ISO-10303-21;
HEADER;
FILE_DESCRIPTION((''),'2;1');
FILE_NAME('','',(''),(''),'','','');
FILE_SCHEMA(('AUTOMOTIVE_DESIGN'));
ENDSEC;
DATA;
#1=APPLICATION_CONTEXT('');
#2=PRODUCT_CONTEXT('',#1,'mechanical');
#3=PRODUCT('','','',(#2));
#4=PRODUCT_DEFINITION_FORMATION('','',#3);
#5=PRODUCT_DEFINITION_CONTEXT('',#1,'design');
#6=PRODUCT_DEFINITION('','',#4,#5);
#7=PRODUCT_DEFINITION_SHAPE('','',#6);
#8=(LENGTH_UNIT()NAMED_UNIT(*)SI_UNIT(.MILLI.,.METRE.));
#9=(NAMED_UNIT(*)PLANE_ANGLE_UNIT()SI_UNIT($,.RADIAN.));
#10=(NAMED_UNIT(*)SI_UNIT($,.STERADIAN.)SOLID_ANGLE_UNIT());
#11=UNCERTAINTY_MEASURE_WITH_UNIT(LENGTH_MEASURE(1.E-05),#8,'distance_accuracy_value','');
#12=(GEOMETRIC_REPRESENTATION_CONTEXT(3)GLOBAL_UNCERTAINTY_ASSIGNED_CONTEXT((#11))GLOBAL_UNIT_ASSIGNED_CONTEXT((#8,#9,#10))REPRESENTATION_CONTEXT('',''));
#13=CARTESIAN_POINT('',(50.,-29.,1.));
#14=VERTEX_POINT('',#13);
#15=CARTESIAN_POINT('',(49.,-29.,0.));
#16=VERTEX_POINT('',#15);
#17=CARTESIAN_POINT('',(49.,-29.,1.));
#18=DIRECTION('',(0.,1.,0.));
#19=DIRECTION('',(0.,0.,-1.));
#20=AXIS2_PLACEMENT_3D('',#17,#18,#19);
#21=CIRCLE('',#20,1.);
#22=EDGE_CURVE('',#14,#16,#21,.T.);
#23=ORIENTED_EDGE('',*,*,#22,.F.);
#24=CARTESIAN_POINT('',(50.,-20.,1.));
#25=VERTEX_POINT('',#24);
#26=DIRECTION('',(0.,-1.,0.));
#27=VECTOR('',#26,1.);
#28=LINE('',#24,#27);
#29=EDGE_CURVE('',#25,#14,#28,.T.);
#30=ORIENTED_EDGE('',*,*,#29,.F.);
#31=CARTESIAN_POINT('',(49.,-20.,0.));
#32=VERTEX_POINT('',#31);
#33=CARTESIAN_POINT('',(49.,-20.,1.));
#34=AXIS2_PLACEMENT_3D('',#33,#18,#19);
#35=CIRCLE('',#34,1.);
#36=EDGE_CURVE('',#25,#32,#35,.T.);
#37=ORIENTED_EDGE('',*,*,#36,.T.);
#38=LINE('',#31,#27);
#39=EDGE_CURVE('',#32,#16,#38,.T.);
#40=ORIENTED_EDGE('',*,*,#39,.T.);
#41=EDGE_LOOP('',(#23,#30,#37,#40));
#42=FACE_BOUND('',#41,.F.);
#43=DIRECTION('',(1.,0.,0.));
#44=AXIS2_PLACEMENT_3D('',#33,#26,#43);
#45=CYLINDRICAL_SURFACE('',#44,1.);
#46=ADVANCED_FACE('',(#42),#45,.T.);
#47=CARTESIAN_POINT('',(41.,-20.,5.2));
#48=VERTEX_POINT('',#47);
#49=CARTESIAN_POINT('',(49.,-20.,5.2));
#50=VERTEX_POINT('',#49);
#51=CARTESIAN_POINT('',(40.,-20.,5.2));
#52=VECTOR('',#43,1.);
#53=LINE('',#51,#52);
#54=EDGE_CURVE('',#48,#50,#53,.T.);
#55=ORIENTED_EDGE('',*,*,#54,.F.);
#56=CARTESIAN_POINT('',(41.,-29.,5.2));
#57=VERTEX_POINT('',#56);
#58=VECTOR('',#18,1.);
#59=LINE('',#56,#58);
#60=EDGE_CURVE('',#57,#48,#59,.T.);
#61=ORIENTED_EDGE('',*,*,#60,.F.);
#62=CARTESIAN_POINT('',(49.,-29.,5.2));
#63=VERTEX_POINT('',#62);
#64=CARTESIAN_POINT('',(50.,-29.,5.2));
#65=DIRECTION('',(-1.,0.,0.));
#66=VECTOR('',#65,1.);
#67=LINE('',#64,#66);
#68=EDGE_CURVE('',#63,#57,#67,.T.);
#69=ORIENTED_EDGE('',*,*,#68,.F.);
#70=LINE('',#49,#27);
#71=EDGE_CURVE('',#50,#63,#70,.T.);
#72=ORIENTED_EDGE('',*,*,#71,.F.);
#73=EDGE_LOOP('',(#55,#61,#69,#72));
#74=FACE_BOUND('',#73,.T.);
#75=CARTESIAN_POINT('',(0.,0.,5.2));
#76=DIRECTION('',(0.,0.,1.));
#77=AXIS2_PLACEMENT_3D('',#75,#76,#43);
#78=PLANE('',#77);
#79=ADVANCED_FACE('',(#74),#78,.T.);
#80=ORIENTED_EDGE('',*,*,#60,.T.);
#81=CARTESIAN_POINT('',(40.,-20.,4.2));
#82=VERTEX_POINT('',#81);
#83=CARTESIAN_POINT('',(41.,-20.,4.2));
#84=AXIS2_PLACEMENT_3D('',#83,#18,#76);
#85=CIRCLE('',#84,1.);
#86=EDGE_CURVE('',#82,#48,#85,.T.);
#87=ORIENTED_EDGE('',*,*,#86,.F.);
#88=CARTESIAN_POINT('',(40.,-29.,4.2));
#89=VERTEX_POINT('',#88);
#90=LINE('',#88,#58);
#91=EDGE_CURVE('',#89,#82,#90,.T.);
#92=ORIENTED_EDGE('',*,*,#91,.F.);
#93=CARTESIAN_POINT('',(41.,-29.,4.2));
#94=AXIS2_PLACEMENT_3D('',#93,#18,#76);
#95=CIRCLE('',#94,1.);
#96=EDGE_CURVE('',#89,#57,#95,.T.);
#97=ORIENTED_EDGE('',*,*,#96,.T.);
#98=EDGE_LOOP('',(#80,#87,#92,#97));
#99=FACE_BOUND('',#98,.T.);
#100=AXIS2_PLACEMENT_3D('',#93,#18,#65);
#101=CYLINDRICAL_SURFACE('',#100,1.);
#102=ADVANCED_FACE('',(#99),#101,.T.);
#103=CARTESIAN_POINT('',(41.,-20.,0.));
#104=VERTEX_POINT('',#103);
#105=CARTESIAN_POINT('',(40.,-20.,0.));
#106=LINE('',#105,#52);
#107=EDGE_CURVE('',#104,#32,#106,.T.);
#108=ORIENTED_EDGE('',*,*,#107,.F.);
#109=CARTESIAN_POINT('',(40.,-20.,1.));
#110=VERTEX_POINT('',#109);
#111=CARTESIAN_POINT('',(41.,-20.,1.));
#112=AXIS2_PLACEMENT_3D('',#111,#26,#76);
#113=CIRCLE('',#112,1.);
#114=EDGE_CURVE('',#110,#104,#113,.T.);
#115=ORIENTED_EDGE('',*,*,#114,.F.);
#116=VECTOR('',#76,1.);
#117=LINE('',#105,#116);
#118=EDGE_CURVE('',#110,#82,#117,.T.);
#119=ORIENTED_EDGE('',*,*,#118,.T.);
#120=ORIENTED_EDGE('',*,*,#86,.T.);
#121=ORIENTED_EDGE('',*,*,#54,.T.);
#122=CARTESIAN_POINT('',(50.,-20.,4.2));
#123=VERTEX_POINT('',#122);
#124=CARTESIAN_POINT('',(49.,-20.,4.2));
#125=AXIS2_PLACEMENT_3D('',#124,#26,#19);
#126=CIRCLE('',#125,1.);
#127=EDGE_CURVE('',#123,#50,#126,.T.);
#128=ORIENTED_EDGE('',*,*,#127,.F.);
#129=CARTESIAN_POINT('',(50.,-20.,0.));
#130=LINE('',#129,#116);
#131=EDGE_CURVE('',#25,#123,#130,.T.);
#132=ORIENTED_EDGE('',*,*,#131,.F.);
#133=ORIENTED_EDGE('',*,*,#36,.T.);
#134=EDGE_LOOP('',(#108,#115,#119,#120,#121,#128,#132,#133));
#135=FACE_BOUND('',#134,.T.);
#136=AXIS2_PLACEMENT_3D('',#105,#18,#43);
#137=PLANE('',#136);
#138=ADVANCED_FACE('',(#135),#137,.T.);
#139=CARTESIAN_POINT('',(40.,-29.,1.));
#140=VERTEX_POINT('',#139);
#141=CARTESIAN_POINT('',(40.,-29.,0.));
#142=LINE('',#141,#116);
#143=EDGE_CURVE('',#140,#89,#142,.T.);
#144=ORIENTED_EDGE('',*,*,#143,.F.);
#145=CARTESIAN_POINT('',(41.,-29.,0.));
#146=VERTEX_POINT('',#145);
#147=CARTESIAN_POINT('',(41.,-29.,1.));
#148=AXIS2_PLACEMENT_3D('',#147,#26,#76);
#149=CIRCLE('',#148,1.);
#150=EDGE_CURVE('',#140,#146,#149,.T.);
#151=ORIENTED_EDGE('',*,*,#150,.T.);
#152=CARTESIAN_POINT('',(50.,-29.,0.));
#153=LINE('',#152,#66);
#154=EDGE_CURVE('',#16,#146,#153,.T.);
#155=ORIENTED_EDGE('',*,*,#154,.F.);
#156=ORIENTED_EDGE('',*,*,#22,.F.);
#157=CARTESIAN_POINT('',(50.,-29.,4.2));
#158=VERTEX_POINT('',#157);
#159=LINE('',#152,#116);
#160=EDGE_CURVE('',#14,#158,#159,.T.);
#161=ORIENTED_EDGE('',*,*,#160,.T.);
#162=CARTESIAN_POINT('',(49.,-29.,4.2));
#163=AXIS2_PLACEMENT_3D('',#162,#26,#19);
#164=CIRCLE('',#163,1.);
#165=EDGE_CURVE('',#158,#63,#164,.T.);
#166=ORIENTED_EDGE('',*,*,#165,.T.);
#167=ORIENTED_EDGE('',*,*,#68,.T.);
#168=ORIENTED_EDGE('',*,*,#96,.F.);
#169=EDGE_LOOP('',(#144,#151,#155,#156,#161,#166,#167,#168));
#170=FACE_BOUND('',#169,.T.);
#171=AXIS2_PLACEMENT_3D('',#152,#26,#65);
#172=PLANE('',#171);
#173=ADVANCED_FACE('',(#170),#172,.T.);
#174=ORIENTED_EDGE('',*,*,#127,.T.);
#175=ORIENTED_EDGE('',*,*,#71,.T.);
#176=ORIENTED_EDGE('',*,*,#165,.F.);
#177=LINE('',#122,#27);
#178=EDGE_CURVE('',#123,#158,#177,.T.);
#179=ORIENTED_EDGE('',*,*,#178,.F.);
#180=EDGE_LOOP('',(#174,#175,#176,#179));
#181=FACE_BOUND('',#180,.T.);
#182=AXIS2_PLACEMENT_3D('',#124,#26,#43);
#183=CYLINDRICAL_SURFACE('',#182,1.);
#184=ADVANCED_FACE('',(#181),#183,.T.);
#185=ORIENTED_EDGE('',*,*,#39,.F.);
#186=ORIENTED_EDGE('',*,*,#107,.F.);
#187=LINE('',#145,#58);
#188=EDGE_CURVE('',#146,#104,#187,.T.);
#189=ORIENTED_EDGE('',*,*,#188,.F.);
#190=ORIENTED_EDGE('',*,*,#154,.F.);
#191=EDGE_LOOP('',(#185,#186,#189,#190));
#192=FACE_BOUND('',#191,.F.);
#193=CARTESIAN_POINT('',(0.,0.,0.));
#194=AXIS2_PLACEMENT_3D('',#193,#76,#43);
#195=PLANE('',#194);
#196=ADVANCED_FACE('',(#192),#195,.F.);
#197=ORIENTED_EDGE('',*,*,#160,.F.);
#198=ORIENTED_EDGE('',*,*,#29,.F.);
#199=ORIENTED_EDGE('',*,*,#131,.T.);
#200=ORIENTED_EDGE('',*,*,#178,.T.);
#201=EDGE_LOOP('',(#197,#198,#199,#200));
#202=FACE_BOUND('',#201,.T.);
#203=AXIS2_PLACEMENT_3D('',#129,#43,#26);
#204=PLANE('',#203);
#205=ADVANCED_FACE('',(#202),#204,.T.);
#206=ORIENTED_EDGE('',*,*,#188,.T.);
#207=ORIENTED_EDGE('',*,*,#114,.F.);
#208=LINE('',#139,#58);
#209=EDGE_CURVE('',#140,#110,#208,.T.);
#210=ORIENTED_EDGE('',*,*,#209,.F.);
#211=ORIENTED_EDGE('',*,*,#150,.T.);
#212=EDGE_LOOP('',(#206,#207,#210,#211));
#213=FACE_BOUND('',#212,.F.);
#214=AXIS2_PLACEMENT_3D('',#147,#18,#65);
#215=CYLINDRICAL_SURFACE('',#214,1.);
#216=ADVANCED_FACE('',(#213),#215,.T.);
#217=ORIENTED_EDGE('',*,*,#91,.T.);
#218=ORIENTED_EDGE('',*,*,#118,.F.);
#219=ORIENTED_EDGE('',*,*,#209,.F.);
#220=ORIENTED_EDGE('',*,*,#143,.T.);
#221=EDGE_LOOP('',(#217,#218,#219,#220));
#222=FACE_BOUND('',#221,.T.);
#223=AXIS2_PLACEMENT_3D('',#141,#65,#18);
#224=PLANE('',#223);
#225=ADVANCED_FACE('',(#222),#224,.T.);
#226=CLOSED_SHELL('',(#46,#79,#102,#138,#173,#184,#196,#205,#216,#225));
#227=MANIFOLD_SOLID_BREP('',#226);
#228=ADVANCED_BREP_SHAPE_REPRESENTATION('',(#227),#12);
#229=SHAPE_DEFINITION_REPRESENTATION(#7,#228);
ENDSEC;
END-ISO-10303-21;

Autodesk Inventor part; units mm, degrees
ref_plane "YZ Plane" through (0, 0, 0) normal (1, 0, 0) x (0, 1, 0)
ref_plane "XZ Plane" through (0, 0, 0) normal (0, 1, 0) x (-1, 0, 0)
ref_plane "XY Plane" through (0, 0, 0) normal (0, 0, 1) x (1, 0, 0)
sketch "Эскиз1" plane through (0, 0, 0) normal (0, 0, 1) x (1, 0, 0)
  line L0 (50, -29) -> (40, -29)
  line L1 (40, -29) -> (40, -20)
  line L2 (40, -20) -> (50, -20)
  line L3 (50, -20) -> (50, -29)
  point P0 (0, 0)
  dimension "d0" = 10
  dimension "d1" = 9
  dimension "d2" = 40
  dimension "d3" = 20
extrude "Выдавливание1" add sketch "Эскиз1" along normal blind 5.2
fillet "Сопряжение1" radius 1 4 edges at (50, -24.5, 5.2) (40, -24.5, 5.2) (50, -24.5, 0) (40, -24.5, 0)
properties part number "Fix_3DПЕЧАТЬ"
